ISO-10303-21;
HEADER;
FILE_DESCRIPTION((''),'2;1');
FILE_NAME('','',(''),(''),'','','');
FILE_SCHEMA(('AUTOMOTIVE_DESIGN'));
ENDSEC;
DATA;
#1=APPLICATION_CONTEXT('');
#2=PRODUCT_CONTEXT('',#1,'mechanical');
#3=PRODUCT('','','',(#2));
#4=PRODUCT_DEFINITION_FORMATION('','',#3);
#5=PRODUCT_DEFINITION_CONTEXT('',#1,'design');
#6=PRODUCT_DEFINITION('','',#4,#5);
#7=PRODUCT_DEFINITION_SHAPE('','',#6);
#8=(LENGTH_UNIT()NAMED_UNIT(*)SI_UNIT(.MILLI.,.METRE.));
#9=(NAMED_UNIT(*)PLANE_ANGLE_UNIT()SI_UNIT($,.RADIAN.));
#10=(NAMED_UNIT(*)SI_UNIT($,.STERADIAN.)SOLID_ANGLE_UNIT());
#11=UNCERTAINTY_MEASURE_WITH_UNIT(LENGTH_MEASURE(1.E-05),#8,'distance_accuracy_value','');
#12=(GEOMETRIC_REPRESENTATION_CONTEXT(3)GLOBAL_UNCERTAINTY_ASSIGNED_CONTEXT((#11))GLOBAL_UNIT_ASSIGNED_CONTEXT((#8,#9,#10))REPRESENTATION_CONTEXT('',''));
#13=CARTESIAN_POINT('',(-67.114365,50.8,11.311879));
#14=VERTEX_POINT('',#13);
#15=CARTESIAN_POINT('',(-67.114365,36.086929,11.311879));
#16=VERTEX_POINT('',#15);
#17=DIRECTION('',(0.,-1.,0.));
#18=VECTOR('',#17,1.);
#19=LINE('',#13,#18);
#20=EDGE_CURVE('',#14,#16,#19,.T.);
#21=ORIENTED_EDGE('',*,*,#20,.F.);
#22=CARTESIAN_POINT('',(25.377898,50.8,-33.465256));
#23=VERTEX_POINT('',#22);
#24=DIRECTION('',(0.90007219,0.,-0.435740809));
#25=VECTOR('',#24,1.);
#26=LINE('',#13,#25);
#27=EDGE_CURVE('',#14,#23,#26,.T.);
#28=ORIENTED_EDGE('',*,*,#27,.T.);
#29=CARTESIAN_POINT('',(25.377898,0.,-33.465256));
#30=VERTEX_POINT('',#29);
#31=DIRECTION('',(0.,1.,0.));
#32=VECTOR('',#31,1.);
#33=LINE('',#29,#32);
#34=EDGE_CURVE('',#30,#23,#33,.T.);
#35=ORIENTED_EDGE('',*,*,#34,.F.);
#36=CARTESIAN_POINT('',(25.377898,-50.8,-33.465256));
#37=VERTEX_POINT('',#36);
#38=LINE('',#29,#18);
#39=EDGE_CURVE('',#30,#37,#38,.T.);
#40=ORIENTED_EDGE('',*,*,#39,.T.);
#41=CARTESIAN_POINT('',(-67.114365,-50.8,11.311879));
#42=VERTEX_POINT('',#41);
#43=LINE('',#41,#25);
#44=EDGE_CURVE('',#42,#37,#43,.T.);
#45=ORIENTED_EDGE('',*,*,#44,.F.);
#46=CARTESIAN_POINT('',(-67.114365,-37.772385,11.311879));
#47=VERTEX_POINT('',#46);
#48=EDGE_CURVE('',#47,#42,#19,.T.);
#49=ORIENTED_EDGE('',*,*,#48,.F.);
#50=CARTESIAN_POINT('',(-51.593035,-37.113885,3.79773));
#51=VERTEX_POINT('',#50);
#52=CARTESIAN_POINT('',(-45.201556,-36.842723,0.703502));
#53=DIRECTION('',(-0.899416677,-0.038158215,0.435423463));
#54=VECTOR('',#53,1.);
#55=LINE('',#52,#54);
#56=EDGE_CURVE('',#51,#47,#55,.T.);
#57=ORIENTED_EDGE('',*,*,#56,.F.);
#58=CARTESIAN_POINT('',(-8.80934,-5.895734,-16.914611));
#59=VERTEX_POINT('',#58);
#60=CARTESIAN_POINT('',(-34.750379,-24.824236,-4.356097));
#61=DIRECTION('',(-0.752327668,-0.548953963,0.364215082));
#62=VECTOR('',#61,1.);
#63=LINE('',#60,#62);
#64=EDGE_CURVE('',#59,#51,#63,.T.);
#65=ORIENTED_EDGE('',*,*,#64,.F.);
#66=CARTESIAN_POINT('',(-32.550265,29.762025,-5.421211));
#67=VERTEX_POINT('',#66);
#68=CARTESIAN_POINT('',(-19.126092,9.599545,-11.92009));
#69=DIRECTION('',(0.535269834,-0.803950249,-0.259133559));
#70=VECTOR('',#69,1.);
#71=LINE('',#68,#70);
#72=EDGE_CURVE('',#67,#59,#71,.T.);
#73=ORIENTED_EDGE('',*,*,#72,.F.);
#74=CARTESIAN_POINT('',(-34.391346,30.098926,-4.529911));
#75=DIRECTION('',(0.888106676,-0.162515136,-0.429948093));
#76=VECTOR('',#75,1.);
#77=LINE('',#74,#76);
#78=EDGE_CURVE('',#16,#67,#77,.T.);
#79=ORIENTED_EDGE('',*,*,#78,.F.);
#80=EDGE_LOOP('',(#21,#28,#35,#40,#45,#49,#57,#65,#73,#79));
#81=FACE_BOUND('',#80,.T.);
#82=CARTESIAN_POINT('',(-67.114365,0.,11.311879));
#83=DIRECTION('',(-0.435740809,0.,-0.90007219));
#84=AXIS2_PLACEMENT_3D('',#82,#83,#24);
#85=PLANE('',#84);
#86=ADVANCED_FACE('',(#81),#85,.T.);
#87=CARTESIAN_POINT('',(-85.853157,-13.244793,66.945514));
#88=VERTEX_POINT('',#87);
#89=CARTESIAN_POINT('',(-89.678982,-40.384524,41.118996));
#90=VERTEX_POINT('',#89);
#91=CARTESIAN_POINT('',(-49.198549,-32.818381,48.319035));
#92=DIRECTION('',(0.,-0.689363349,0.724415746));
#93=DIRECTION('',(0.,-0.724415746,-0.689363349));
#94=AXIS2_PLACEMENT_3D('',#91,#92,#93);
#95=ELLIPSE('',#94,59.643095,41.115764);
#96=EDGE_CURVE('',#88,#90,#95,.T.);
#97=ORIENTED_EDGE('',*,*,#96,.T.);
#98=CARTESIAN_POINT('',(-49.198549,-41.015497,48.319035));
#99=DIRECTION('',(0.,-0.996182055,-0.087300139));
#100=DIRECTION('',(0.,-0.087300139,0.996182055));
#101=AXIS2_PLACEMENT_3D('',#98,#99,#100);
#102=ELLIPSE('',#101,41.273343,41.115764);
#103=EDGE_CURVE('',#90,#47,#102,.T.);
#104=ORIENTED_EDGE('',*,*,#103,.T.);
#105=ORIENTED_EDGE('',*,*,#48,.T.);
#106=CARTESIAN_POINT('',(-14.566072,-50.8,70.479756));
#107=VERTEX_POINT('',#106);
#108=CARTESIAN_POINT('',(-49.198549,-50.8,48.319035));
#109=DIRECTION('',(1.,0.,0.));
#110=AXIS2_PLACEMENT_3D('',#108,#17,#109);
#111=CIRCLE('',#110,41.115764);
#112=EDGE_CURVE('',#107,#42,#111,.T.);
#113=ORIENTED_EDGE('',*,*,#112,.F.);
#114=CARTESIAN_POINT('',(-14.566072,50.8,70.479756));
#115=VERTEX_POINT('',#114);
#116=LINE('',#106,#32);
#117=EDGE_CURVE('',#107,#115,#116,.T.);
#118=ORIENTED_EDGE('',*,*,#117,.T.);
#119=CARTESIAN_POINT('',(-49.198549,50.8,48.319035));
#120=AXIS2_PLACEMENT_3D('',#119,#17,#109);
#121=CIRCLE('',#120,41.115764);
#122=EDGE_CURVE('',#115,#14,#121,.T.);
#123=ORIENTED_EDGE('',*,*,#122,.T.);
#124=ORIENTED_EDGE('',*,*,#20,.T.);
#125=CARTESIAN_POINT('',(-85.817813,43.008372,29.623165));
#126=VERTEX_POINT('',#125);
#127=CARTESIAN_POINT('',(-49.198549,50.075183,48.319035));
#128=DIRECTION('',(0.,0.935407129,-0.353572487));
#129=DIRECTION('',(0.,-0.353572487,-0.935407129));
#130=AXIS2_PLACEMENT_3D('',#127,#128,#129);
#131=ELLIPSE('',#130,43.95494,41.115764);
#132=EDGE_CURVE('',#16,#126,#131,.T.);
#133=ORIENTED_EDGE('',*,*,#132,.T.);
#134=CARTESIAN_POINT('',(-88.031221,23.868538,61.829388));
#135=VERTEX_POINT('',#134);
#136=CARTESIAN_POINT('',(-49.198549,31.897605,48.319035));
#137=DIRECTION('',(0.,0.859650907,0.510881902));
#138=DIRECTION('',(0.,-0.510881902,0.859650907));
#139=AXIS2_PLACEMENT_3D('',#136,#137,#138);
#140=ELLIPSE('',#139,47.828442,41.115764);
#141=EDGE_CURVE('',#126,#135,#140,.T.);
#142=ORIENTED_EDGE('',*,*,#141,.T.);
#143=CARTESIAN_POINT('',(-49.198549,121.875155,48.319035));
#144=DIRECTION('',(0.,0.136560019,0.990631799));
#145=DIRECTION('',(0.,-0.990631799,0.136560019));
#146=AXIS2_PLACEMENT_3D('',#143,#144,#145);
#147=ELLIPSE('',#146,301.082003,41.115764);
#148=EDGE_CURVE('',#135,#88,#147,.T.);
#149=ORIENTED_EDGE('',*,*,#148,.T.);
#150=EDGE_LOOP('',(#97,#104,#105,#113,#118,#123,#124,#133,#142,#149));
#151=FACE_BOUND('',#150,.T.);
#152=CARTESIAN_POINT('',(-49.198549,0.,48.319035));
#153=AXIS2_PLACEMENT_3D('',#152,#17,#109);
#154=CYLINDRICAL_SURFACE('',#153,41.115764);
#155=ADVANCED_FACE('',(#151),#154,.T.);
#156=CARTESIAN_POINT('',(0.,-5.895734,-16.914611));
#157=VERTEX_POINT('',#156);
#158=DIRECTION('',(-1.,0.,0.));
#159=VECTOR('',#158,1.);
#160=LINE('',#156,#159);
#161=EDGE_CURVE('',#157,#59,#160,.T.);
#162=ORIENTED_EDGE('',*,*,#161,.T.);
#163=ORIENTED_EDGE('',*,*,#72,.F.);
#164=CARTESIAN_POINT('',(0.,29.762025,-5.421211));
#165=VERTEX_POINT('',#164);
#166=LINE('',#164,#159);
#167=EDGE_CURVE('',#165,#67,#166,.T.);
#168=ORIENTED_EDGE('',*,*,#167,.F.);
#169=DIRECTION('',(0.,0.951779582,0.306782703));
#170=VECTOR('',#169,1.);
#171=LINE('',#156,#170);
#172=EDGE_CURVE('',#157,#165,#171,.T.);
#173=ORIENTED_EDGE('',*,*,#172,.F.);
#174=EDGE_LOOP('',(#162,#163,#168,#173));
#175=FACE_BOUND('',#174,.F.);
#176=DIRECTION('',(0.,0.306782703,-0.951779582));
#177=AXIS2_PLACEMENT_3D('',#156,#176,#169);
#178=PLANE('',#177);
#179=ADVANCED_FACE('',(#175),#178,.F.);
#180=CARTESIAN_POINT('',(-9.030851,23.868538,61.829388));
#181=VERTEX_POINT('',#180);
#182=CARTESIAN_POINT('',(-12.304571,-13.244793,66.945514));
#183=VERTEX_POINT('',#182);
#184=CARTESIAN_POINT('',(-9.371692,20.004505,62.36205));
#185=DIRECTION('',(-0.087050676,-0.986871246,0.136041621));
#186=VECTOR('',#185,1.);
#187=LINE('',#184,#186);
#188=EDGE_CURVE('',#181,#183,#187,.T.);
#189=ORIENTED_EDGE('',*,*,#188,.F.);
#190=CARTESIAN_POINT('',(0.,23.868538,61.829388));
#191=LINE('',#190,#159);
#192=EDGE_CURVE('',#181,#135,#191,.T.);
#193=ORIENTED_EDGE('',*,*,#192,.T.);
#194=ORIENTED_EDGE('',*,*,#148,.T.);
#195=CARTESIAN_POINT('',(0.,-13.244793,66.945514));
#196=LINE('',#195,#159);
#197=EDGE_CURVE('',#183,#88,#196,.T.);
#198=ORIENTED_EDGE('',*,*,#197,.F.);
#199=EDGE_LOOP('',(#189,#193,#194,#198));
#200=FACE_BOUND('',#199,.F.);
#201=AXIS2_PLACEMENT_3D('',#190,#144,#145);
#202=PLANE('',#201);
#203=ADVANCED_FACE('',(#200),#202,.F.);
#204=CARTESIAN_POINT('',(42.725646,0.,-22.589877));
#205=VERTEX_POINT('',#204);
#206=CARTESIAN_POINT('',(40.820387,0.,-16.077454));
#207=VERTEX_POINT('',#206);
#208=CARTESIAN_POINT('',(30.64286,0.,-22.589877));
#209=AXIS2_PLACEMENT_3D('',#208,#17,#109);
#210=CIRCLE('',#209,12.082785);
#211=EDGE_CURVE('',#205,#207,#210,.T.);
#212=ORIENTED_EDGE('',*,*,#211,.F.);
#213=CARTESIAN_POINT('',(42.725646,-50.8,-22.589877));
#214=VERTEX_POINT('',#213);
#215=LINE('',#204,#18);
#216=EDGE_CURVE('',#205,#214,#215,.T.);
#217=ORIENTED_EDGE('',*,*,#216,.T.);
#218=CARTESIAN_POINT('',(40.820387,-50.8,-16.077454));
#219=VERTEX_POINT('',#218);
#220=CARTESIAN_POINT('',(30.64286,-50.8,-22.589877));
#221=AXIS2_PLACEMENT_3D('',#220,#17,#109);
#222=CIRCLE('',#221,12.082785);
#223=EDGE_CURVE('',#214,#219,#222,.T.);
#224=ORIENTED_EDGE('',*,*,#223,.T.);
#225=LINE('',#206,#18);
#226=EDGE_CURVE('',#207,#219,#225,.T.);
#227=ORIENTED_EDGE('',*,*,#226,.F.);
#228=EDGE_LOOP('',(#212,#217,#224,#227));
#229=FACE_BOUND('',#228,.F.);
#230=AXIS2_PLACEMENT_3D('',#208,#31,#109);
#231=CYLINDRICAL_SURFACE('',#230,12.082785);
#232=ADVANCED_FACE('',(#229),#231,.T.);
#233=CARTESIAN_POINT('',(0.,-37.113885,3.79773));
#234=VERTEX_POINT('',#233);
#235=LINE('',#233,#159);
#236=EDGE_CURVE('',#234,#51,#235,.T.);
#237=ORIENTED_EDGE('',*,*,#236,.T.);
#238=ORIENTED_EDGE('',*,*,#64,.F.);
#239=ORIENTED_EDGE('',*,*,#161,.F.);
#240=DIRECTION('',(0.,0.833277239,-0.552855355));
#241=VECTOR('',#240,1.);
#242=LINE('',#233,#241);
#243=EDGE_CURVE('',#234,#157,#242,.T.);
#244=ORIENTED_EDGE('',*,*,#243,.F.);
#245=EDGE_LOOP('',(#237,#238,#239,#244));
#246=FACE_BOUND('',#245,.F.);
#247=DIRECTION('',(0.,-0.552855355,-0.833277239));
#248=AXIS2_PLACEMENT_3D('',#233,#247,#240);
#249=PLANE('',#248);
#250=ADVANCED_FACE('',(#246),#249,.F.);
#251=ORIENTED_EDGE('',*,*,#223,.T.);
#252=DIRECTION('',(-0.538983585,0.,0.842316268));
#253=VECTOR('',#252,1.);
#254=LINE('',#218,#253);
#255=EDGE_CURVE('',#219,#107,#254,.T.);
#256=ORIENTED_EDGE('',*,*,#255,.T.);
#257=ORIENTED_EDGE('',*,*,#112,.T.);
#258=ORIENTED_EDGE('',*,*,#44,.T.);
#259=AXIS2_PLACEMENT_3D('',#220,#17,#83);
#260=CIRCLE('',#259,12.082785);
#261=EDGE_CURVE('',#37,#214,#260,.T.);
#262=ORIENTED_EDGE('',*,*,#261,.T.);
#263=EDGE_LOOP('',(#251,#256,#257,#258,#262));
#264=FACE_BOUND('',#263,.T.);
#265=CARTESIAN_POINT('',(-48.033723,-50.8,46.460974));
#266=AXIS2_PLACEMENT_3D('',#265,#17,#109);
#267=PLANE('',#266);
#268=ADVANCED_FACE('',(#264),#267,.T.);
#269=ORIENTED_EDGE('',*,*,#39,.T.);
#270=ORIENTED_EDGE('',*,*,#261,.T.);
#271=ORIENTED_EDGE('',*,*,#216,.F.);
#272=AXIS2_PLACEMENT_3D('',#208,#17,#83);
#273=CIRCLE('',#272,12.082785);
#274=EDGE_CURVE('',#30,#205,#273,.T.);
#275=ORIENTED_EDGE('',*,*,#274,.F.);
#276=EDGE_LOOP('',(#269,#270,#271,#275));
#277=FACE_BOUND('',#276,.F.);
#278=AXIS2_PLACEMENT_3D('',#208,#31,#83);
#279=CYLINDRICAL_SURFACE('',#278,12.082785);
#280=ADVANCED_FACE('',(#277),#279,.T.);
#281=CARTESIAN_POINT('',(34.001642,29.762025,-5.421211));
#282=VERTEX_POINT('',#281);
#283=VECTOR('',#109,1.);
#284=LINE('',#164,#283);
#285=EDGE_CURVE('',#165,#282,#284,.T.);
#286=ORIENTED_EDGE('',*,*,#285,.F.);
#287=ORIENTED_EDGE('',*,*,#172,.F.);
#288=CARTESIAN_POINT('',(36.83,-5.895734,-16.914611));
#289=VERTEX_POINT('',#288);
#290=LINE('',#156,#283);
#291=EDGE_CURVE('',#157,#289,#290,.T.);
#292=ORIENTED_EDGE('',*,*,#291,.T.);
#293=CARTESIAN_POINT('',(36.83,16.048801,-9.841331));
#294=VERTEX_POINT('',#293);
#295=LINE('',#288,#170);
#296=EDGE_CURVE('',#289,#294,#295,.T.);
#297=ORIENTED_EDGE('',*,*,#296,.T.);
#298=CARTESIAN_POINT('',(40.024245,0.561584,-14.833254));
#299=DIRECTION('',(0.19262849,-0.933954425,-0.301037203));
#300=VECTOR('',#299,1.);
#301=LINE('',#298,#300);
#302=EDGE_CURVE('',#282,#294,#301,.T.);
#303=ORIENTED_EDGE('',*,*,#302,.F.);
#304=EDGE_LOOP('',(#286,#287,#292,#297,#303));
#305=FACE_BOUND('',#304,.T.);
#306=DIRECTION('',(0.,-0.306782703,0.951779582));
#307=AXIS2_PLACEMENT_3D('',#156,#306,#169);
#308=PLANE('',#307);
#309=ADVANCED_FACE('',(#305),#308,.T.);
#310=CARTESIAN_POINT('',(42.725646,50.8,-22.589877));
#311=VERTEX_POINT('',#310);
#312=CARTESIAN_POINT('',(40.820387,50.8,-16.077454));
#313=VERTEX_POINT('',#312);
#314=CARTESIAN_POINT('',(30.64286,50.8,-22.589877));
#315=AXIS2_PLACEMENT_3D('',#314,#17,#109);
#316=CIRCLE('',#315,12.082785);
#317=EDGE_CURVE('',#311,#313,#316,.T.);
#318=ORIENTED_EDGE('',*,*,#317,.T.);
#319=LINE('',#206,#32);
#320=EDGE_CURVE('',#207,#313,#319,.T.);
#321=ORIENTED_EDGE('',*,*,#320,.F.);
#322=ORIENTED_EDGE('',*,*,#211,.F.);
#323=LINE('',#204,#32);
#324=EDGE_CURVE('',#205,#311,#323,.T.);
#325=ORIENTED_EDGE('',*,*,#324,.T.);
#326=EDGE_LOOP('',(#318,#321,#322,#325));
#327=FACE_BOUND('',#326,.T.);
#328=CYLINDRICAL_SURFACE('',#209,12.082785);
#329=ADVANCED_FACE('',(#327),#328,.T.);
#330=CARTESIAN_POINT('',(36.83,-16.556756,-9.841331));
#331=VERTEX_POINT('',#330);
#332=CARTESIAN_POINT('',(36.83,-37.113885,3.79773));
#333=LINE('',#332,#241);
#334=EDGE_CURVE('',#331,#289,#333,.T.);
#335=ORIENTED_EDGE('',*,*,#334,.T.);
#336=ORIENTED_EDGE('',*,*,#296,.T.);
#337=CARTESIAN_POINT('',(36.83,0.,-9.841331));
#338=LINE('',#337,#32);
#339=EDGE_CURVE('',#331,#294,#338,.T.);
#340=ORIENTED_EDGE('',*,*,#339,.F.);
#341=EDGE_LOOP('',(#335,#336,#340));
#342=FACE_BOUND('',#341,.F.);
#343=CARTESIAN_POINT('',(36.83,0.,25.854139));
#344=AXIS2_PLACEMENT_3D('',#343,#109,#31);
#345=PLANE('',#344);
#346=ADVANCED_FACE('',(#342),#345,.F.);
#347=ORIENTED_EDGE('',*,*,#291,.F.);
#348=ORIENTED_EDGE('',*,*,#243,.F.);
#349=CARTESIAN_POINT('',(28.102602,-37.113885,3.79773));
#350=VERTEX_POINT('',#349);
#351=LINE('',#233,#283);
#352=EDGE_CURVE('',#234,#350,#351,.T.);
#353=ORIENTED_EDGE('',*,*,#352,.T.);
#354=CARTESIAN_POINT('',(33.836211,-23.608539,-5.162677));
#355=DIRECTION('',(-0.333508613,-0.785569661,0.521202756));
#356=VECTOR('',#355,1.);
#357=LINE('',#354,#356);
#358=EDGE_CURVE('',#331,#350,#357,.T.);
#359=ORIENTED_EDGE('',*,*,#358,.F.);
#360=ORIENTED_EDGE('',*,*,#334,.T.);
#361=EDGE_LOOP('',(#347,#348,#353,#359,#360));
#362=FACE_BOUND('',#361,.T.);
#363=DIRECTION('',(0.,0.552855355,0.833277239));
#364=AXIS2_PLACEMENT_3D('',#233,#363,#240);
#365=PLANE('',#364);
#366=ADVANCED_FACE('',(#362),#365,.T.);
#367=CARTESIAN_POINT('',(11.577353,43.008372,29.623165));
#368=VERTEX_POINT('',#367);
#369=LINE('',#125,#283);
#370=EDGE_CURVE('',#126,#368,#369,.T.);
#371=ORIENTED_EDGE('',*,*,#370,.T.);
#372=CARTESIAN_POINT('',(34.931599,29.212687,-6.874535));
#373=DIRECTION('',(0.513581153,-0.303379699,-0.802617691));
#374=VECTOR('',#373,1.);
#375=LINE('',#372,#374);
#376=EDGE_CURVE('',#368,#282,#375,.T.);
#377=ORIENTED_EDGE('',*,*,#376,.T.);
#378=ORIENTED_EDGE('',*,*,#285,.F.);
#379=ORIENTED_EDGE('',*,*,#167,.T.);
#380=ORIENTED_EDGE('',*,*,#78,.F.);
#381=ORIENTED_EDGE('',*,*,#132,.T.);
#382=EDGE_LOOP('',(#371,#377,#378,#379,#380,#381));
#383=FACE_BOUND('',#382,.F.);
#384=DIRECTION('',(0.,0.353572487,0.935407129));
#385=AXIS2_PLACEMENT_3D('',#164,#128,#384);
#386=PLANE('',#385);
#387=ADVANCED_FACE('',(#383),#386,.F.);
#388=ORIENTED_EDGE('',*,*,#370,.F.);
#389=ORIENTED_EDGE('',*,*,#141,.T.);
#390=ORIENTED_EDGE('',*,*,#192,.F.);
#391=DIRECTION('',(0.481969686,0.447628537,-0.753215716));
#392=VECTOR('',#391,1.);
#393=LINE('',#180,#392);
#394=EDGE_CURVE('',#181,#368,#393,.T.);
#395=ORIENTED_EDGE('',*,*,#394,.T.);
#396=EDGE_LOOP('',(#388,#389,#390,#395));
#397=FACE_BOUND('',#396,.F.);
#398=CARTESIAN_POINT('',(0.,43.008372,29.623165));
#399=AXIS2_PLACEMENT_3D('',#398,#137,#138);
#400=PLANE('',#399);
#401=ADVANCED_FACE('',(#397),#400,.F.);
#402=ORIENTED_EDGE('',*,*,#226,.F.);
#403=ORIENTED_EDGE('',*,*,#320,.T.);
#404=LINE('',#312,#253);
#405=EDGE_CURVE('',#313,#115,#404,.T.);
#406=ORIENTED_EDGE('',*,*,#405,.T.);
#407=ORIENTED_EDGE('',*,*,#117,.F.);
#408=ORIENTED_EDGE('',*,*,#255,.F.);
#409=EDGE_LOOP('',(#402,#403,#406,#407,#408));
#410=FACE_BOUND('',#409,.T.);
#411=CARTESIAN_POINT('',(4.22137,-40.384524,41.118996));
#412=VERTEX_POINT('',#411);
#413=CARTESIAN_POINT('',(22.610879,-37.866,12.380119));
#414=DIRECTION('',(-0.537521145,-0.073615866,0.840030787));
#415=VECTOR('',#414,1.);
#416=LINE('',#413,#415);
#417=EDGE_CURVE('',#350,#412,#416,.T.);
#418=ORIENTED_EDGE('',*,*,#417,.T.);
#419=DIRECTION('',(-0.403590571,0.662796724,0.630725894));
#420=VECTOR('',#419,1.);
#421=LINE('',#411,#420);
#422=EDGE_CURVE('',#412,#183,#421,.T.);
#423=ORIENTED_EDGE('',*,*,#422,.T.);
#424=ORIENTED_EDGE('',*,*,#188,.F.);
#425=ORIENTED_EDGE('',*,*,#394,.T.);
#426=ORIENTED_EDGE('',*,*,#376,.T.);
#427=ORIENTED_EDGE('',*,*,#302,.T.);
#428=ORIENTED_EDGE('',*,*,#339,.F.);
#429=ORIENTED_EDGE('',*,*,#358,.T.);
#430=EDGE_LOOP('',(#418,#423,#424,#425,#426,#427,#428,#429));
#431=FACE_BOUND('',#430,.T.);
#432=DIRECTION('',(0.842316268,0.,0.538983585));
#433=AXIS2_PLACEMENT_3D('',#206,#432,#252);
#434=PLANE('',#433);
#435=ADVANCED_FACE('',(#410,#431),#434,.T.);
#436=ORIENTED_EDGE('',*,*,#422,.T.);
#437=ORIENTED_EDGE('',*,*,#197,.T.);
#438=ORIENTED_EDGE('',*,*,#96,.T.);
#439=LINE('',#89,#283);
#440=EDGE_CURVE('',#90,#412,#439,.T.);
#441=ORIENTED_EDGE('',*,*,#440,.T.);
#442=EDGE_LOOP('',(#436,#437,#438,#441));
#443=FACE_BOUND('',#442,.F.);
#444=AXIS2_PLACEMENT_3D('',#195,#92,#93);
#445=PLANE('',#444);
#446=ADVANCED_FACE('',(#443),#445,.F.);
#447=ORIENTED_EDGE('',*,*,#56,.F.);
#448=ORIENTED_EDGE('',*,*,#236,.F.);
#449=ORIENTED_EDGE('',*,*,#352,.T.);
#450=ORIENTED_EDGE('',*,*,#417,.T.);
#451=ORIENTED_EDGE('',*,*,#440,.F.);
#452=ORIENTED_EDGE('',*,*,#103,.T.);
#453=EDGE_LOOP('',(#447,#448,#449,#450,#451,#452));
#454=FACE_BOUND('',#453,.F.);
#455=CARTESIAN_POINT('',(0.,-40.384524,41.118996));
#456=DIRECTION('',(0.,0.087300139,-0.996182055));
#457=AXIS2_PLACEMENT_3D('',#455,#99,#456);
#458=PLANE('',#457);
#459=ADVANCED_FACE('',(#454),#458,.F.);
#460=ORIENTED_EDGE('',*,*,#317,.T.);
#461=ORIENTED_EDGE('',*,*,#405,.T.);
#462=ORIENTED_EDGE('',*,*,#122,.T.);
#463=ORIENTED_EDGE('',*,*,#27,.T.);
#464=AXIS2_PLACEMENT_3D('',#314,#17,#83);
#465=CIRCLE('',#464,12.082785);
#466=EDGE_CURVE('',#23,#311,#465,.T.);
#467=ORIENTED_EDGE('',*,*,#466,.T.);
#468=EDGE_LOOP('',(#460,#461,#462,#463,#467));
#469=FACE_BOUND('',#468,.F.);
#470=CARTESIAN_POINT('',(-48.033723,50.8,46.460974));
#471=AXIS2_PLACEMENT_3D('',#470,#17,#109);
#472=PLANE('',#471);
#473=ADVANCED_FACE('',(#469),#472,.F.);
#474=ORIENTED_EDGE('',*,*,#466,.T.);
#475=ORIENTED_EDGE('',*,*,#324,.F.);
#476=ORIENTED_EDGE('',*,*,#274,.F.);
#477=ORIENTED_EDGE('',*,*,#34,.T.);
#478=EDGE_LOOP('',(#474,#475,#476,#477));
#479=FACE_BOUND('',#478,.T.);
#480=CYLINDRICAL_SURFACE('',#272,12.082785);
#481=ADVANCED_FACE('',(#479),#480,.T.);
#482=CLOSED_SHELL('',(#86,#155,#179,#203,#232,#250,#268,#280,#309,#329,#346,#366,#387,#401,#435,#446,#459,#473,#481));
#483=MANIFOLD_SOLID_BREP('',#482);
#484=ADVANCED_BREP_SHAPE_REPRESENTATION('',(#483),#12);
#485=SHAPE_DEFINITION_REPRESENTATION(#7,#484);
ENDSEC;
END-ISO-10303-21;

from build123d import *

# Parameters (mm, degrees)
F1_DEPTH      = 50.8
F3_DEPTH      = 110.998
F3_DEPTH_BACK = 36.83


with BuildPart() as f1:
    # F0 (on Front) → F1 (new body, symmetric)
    with BuildSketch(Plane.XZ):
        with BuildLine():
            ThreePointArc((-67.1143651523, 11.3118788967), (-27.3595519648, 13.4827854023), (-8.0827849332, 48.3190346183))
            ThreePointArc((-8.0827849332, 48.3190346183), (-9.7368789489, 59.8638451946), (-14.5660720417, 70.4797564755))
            ThreePointArc((-14.5660720417, 70.4797564755), (-79.9405579391, 75.6216888269), (-67.1143651523, 11.3118788967))
        make_face()
        with BuildLine():
            ThreePointArc((-14.5660720417, 70.4797564755), (-9.7368789489, 59.8638451946), (-8.0827849332, 48.3190346183))
            ThreePointArc((-8.0827849332, 48.3190346183), (-27.3595519648, 13.4827854023), (-67.1143651523, 11.3118788967))
            Line((-67.1143651523, 11.3118788967), (25.3778976938, -33.4652555138))
            ThreePointArc((25.3778976938, -33.4652555138), (21.608634566, -14.5663819856), (40.8203868988, -16.0774536137))
            Line((40.8203868988, -16.0774536137), (-14.5660720417, 70.4797564755))
        make_face()
        with BuildLine():
            ThreePointArc((42.7256455715, -22.589876526), (42.2395531131, -19.1971761709), (40.8203868988, -16.0774536137))
            ThreePointArc((40.8203868988, -16.0774536137), (21.608634566, -14.5663819856), (25.3778976938, -33.4652555138))
            ThreePointArc((25.3778976938, -33.4652555138), (37.0607371764, -32.8272861661), (42.7256455715, -22.589876526))
        make_face()
    extrude(amount=F1_DEPTH, both=True)

    # F2 (on Right) → F3 (cut, two sides)
    with BuildSketch(Plane.YZ) as f3_sk:
        Polygon((-13.2447925757, 66.9455137627), (-40.3845238139, 41.1189961655), (-37.1138849261, 3.7977295184), (-5.8957337036, -16.9146111783), (29.7620252487, -5.4212109251), (43.0083721541, 29.6231654646), (23.8685376165, 61.8293877944), align=None)
    extrude(amount=-F3_DEPTH, mode=Mode.SUBTRACT)
    extrude(f3_sk.sketch, amount=F3_DEPTH_BACK, mode=Mode.SUBTRACT)


solid = f1.part
